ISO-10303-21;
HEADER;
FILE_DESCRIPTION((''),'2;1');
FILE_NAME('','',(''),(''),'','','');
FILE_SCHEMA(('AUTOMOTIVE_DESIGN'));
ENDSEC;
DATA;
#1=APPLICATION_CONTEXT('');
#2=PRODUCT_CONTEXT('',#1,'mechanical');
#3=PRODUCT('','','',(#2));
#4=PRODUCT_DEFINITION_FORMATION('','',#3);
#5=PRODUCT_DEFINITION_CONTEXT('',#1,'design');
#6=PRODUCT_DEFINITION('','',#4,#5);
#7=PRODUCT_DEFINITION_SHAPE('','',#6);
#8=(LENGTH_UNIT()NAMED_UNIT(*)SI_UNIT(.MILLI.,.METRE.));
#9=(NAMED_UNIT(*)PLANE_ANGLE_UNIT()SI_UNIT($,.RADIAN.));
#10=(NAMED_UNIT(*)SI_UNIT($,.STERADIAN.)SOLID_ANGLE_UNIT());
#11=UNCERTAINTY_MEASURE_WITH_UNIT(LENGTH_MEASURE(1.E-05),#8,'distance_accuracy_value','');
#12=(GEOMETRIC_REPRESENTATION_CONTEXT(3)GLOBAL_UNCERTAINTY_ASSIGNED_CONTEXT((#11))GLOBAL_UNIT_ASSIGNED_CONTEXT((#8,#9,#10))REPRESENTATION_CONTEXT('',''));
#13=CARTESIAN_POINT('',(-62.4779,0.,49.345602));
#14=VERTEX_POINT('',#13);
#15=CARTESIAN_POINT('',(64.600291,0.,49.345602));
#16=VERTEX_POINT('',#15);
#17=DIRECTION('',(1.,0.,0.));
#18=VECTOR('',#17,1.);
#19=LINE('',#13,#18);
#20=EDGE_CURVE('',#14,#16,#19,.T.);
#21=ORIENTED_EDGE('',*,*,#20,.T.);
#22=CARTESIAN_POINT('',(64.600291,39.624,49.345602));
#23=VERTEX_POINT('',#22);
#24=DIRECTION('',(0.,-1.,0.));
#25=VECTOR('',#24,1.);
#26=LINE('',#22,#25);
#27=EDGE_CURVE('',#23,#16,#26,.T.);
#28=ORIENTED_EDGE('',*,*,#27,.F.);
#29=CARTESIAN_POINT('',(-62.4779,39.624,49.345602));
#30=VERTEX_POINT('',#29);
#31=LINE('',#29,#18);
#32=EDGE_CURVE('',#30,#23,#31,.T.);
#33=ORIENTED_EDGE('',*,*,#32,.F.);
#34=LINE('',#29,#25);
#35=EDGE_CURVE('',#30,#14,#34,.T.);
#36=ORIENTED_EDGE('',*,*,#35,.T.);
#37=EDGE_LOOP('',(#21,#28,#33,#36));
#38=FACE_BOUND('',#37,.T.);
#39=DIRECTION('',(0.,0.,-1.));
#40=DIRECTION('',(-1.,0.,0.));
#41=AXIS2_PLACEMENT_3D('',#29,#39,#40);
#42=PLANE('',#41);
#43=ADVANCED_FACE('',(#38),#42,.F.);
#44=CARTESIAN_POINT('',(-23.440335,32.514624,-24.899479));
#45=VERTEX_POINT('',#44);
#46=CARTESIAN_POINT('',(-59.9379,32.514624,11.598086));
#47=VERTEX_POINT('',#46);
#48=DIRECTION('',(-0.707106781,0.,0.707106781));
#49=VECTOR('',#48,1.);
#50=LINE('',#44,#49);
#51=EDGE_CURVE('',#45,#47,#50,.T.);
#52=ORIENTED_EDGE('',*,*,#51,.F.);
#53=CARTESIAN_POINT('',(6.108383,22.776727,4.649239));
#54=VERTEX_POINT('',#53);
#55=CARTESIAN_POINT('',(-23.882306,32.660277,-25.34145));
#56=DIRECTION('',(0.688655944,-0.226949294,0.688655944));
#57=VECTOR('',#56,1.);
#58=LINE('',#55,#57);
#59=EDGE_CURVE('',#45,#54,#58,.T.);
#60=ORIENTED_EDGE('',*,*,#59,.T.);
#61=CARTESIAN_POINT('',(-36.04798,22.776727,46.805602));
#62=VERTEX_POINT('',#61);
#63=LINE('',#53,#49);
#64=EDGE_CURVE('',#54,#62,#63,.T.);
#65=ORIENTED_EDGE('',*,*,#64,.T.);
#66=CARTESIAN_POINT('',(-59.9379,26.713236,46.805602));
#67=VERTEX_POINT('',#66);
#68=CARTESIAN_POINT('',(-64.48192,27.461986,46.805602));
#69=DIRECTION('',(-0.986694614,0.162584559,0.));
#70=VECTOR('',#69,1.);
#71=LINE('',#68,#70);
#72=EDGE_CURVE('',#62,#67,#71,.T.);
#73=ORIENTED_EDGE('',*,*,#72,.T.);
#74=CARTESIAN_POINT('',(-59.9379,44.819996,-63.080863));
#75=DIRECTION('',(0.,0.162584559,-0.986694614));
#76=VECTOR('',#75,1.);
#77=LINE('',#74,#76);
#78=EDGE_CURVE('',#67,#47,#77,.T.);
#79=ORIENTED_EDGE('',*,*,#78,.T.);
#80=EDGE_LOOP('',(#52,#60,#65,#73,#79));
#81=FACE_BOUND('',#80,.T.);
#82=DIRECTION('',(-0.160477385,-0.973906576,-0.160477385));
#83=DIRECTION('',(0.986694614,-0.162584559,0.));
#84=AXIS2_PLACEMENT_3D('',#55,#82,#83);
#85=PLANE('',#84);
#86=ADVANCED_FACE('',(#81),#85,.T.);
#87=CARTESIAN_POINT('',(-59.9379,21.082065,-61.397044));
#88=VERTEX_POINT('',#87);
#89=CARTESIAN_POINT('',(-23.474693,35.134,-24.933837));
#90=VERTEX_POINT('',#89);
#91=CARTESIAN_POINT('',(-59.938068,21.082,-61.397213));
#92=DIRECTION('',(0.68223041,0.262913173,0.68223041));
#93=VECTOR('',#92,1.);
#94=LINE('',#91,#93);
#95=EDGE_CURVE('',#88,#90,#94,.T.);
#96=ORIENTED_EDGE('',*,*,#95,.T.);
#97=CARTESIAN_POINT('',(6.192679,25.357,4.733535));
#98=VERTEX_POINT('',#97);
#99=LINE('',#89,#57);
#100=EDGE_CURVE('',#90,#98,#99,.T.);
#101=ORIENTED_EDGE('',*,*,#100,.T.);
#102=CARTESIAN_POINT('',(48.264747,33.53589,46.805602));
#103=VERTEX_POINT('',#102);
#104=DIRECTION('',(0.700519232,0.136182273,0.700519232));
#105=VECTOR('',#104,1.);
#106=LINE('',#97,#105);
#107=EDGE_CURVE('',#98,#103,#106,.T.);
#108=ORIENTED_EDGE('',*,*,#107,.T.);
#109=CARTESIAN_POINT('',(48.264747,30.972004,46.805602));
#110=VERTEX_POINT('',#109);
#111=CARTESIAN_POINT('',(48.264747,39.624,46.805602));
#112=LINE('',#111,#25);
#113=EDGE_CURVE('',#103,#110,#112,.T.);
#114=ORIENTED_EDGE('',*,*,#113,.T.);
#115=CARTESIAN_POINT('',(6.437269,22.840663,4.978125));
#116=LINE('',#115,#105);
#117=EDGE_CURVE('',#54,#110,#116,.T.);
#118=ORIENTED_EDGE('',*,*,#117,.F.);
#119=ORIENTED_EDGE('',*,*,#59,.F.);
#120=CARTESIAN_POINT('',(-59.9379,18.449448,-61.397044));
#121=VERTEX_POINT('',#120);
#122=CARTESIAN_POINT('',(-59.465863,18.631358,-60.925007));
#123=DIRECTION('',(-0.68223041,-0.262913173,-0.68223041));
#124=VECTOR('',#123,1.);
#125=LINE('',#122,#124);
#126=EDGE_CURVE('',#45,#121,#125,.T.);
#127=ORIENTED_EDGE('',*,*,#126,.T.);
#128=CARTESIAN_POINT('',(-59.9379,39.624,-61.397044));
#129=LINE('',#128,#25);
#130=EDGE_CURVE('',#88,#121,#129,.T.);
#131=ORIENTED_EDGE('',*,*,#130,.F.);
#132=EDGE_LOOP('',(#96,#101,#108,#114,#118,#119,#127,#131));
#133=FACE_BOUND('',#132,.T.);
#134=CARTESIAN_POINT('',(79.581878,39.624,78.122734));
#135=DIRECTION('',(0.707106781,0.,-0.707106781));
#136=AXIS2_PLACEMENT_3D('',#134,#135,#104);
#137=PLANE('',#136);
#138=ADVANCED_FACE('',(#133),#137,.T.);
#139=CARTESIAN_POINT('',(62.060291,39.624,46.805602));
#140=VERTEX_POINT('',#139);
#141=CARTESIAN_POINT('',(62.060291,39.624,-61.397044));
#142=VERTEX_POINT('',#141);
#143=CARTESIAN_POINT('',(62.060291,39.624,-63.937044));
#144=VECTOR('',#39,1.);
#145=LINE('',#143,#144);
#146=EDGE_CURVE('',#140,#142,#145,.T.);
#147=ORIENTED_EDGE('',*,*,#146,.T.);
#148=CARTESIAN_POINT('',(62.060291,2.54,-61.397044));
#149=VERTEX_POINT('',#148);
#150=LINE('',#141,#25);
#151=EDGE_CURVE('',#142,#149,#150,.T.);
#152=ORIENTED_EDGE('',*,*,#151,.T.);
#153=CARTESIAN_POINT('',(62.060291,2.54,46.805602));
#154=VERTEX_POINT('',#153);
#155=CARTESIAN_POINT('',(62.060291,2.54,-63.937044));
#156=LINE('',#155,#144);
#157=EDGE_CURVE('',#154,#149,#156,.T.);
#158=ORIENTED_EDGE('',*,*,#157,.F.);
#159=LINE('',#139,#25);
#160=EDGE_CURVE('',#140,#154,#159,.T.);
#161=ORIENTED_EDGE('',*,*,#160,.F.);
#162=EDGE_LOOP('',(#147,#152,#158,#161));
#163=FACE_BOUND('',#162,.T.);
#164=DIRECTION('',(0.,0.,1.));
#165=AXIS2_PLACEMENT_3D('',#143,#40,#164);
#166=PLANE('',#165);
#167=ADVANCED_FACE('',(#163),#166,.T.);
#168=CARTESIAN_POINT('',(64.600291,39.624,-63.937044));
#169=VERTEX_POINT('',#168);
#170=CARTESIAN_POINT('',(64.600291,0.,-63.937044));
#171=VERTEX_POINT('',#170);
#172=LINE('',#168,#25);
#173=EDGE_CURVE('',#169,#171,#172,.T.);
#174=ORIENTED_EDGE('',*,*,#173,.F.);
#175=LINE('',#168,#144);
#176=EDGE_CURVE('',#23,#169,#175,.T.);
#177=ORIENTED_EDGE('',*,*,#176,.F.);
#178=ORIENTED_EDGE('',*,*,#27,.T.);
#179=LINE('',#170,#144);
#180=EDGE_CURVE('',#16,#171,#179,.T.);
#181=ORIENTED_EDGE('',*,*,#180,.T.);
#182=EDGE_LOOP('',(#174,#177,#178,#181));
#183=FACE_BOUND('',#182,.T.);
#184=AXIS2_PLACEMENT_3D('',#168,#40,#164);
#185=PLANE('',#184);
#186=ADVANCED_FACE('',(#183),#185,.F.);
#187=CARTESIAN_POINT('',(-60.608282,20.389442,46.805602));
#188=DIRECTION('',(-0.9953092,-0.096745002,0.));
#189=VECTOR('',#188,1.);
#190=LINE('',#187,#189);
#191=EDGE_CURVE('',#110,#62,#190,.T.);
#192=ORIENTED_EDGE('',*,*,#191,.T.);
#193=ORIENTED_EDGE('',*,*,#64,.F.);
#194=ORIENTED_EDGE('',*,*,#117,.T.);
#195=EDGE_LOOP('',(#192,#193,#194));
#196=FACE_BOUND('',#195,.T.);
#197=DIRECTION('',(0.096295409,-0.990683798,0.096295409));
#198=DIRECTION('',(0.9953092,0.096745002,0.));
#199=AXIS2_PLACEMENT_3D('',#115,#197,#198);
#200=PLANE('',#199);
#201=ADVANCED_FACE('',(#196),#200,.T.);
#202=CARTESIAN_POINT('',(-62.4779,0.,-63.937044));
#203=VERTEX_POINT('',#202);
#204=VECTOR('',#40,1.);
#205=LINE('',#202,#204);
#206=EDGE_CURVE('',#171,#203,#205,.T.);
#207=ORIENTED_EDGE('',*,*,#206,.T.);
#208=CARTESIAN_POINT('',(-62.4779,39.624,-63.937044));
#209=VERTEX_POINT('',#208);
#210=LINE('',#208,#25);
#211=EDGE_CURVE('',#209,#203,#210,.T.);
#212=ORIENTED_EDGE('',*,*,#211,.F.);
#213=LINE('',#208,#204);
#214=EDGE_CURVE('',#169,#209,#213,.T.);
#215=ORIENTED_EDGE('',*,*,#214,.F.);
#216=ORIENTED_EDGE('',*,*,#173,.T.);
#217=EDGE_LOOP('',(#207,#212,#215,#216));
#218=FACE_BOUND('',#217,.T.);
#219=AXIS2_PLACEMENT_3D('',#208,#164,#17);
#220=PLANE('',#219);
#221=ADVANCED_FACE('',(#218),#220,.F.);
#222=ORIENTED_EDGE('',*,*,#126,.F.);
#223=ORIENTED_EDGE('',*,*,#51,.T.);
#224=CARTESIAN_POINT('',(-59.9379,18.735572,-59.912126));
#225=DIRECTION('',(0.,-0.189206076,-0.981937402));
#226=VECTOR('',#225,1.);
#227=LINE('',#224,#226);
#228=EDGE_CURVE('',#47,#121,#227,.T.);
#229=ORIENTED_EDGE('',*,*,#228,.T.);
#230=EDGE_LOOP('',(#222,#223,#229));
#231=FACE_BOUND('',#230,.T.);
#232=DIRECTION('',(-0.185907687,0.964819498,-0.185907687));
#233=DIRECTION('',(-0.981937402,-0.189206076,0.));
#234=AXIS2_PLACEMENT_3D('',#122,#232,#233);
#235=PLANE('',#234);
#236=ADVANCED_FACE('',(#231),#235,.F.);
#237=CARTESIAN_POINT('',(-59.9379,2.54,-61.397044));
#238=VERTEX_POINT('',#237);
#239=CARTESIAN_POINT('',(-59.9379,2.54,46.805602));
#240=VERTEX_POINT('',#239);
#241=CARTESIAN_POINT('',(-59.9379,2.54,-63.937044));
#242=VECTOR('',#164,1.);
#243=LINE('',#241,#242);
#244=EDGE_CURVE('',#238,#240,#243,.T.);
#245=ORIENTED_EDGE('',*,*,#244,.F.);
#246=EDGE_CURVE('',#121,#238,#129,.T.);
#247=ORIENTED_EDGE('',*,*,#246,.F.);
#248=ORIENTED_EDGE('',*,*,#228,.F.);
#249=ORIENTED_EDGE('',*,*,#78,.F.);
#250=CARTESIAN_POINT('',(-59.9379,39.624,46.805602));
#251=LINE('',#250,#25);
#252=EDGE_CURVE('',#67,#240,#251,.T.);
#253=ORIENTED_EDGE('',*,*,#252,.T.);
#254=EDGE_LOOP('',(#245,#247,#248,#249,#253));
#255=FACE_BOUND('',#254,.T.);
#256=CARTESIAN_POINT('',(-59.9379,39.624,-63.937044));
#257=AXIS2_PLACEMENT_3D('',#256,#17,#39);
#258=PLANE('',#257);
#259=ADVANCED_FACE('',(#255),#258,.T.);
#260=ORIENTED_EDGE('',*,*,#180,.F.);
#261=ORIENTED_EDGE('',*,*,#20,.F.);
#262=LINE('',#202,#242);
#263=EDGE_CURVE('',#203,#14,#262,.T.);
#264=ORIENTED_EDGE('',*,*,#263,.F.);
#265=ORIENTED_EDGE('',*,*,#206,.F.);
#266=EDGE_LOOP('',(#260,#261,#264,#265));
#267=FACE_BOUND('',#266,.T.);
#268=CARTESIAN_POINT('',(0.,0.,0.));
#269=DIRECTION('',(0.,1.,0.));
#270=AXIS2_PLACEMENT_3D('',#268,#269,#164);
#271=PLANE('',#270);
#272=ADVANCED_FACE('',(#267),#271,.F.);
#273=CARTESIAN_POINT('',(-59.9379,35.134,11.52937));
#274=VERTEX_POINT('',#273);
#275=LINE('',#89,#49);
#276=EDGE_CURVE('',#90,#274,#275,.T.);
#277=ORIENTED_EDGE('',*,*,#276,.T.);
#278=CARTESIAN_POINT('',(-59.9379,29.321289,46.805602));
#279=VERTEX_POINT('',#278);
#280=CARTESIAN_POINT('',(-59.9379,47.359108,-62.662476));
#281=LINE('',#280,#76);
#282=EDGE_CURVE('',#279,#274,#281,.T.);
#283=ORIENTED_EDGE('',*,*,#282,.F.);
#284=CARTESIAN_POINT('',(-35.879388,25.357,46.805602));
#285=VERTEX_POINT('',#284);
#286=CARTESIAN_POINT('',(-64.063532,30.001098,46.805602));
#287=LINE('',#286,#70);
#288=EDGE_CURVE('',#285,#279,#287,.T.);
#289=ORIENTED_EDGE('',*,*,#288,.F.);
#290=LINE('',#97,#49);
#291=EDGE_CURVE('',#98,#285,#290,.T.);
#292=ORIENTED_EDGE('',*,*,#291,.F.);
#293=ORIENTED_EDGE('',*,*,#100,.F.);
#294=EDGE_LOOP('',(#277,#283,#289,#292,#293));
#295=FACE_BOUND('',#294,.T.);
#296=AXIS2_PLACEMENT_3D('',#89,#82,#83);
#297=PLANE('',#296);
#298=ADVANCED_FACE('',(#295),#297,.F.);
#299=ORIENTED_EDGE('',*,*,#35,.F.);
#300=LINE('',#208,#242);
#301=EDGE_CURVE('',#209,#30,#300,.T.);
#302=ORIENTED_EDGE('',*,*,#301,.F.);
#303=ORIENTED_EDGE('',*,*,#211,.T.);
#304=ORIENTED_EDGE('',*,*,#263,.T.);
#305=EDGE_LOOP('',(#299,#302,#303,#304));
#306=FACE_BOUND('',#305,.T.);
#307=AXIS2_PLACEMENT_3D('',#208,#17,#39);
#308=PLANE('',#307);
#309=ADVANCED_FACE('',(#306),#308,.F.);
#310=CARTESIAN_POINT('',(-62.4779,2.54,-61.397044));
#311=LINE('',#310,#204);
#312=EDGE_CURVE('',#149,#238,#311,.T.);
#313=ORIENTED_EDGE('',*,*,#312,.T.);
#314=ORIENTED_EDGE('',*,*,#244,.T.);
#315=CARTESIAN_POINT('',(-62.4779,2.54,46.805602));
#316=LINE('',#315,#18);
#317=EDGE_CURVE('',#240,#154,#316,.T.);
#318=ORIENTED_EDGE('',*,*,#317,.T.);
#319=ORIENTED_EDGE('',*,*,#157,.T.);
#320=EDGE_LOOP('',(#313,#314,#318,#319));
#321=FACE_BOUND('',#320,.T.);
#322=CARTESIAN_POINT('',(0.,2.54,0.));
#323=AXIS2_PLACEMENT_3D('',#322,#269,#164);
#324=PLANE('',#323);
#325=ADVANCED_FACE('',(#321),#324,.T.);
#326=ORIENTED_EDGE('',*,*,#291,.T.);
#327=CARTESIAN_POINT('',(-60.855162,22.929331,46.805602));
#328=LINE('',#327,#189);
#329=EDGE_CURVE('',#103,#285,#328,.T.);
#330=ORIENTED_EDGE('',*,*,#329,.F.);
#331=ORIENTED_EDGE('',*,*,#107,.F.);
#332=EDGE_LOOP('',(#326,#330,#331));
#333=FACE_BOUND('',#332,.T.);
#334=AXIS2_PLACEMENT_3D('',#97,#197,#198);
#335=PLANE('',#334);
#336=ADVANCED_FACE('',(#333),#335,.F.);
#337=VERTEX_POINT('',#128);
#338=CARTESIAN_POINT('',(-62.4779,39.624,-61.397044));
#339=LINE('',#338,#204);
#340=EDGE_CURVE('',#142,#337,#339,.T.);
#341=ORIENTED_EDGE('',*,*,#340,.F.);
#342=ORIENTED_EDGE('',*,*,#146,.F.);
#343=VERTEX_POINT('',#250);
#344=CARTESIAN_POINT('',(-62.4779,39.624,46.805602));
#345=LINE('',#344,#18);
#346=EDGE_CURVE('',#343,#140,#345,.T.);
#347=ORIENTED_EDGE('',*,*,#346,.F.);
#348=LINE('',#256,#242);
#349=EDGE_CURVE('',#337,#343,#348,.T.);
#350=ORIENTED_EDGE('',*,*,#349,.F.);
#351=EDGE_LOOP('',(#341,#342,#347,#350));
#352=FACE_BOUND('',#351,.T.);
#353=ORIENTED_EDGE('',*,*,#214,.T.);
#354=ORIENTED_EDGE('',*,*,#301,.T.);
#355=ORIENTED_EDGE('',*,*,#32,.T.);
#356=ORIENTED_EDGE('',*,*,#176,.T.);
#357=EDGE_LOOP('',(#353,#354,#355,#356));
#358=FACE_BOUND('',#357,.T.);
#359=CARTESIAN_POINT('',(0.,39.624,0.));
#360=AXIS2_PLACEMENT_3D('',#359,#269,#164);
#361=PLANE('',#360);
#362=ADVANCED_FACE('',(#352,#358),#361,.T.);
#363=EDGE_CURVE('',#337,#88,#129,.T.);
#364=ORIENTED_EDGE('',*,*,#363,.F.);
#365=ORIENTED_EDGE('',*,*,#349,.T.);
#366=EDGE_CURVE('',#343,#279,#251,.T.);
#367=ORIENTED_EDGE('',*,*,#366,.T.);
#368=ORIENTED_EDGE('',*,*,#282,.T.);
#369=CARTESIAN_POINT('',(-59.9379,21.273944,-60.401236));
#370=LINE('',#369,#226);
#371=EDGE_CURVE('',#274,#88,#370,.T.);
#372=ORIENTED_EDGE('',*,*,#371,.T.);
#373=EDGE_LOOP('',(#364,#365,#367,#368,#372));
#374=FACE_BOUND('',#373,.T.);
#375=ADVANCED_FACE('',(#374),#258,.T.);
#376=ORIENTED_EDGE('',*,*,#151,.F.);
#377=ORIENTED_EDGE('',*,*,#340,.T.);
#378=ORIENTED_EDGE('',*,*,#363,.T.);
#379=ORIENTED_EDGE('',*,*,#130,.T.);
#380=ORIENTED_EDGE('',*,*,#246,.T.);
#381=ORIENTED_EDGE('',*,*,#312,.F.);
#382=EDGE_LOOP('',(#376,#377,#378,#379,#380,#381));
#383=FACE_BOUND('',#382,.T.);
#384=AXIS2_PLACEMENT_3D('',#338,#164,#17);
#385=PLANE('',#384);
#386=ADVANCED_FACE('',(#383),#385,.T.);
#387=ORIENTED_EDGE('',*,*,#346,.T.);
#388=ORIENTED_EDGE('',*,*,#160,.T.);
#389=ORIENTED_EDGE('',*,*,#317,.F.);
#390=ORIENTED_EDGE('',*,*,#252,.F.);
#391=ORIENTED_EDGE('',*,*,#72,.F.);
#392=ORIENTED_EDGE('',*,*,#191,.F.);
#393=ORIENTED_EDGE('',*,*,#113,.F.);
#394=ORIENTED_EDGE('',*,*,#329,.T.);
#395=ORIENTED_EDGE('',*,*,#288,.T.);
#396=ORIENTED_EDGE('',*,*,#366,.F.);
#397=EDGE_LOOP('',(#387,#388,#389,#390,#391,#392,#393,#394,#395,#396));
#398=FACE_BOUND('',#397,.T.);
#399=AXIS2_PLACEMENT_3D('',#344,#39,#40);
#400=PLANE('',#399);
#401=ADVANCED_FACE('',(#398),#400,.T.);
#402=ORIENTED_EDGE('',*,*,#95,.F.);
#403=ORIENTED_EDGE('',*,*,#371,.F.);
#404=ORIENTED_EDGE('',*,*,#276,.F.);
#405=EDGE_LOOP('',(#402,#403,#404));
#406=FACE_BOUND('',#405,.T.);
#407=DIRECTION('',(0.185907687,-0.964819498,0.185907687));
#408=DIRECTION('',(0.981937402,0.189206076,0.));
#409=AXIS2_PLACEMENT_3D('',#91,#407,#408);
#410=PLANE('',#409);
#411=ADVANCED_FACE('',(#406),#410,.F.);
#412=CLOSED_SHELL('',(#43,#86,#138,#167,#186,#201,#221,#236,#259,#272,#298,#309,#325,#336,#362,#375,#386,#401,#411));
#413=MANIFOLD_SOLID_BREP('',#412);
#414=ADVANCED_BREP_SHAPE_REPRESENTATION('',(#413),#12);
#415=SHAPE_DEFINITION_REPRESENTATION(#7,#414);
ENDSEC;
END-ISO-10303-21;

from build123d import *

# Parameters (mm, degrees)
SKETCH1_W                  = 127.078191072
SKETCH1_H                  = 113.282646321
BOSS_EXTRUDE1_DEPTH        = 39.624
SHELL_1_T                  = -2.54
OFFICIAL_RIB_BLOCK20_REACH = 100.208


with BuildPart() as part:
    # Sketch1 → Boss-Extrude1 (new body)
    with BuildSketch(Plane(origin=(0, 0, 0), x_dir=(1, 0, 0), z_dir=(0, 1, 0))):
        with Locations((1.06119575, 7.295720781)):
            Rectangle(SKETCH1_W, SKETCH1_H)
    extrude(amount=BOSS_EXTRUDE1_DEPTH)

    # 抽壳1
    shell_1_openings = [part.faces().sort_by_distance(p)[0] for p in [
        (1.06119575, 39.624, -7.295720782),
    ]]
    offset(amount=SHELL_1_T, openings=shell_1_openings, kind=Kind.INTERSECTION)

    # 草图1 walls → official_rib_block20 (add, up to next)
    with BuildSketch(Plane(origin=(0.729572078, 0, -0.729572078), x_dir=(0.7071067811865477, 0, 0.7071067811865475), z_dir=(-0.7071067811865475, 0, 0.7071067811865477)), mode=Mode.PRIVATE) as official_rib_block20_sk1:
        Polygon((-180.846538696, -7.451602251), (-34.181409887, 32.514624019), (7.60678752, 22.77672703), (210.143173935, 50.617967106), (209.797270961, 53.134303954), (7.726, 25.357), (-34.23, 35.134), (-181.514338156, -5.000960726), align=None)
    official_rib_block20_tool1 = extrude(official_rib_block20_sk1.sketch, amount=OFFICIAL_RIB_BLOCK20_REACH, mode=Mode.PRIVATE) - part.part
    add(official_rib_block20_tool1.solids().sort_by_distance((-8.641006986, 30.2455, -10.100151142))[0])


solid = part.part
